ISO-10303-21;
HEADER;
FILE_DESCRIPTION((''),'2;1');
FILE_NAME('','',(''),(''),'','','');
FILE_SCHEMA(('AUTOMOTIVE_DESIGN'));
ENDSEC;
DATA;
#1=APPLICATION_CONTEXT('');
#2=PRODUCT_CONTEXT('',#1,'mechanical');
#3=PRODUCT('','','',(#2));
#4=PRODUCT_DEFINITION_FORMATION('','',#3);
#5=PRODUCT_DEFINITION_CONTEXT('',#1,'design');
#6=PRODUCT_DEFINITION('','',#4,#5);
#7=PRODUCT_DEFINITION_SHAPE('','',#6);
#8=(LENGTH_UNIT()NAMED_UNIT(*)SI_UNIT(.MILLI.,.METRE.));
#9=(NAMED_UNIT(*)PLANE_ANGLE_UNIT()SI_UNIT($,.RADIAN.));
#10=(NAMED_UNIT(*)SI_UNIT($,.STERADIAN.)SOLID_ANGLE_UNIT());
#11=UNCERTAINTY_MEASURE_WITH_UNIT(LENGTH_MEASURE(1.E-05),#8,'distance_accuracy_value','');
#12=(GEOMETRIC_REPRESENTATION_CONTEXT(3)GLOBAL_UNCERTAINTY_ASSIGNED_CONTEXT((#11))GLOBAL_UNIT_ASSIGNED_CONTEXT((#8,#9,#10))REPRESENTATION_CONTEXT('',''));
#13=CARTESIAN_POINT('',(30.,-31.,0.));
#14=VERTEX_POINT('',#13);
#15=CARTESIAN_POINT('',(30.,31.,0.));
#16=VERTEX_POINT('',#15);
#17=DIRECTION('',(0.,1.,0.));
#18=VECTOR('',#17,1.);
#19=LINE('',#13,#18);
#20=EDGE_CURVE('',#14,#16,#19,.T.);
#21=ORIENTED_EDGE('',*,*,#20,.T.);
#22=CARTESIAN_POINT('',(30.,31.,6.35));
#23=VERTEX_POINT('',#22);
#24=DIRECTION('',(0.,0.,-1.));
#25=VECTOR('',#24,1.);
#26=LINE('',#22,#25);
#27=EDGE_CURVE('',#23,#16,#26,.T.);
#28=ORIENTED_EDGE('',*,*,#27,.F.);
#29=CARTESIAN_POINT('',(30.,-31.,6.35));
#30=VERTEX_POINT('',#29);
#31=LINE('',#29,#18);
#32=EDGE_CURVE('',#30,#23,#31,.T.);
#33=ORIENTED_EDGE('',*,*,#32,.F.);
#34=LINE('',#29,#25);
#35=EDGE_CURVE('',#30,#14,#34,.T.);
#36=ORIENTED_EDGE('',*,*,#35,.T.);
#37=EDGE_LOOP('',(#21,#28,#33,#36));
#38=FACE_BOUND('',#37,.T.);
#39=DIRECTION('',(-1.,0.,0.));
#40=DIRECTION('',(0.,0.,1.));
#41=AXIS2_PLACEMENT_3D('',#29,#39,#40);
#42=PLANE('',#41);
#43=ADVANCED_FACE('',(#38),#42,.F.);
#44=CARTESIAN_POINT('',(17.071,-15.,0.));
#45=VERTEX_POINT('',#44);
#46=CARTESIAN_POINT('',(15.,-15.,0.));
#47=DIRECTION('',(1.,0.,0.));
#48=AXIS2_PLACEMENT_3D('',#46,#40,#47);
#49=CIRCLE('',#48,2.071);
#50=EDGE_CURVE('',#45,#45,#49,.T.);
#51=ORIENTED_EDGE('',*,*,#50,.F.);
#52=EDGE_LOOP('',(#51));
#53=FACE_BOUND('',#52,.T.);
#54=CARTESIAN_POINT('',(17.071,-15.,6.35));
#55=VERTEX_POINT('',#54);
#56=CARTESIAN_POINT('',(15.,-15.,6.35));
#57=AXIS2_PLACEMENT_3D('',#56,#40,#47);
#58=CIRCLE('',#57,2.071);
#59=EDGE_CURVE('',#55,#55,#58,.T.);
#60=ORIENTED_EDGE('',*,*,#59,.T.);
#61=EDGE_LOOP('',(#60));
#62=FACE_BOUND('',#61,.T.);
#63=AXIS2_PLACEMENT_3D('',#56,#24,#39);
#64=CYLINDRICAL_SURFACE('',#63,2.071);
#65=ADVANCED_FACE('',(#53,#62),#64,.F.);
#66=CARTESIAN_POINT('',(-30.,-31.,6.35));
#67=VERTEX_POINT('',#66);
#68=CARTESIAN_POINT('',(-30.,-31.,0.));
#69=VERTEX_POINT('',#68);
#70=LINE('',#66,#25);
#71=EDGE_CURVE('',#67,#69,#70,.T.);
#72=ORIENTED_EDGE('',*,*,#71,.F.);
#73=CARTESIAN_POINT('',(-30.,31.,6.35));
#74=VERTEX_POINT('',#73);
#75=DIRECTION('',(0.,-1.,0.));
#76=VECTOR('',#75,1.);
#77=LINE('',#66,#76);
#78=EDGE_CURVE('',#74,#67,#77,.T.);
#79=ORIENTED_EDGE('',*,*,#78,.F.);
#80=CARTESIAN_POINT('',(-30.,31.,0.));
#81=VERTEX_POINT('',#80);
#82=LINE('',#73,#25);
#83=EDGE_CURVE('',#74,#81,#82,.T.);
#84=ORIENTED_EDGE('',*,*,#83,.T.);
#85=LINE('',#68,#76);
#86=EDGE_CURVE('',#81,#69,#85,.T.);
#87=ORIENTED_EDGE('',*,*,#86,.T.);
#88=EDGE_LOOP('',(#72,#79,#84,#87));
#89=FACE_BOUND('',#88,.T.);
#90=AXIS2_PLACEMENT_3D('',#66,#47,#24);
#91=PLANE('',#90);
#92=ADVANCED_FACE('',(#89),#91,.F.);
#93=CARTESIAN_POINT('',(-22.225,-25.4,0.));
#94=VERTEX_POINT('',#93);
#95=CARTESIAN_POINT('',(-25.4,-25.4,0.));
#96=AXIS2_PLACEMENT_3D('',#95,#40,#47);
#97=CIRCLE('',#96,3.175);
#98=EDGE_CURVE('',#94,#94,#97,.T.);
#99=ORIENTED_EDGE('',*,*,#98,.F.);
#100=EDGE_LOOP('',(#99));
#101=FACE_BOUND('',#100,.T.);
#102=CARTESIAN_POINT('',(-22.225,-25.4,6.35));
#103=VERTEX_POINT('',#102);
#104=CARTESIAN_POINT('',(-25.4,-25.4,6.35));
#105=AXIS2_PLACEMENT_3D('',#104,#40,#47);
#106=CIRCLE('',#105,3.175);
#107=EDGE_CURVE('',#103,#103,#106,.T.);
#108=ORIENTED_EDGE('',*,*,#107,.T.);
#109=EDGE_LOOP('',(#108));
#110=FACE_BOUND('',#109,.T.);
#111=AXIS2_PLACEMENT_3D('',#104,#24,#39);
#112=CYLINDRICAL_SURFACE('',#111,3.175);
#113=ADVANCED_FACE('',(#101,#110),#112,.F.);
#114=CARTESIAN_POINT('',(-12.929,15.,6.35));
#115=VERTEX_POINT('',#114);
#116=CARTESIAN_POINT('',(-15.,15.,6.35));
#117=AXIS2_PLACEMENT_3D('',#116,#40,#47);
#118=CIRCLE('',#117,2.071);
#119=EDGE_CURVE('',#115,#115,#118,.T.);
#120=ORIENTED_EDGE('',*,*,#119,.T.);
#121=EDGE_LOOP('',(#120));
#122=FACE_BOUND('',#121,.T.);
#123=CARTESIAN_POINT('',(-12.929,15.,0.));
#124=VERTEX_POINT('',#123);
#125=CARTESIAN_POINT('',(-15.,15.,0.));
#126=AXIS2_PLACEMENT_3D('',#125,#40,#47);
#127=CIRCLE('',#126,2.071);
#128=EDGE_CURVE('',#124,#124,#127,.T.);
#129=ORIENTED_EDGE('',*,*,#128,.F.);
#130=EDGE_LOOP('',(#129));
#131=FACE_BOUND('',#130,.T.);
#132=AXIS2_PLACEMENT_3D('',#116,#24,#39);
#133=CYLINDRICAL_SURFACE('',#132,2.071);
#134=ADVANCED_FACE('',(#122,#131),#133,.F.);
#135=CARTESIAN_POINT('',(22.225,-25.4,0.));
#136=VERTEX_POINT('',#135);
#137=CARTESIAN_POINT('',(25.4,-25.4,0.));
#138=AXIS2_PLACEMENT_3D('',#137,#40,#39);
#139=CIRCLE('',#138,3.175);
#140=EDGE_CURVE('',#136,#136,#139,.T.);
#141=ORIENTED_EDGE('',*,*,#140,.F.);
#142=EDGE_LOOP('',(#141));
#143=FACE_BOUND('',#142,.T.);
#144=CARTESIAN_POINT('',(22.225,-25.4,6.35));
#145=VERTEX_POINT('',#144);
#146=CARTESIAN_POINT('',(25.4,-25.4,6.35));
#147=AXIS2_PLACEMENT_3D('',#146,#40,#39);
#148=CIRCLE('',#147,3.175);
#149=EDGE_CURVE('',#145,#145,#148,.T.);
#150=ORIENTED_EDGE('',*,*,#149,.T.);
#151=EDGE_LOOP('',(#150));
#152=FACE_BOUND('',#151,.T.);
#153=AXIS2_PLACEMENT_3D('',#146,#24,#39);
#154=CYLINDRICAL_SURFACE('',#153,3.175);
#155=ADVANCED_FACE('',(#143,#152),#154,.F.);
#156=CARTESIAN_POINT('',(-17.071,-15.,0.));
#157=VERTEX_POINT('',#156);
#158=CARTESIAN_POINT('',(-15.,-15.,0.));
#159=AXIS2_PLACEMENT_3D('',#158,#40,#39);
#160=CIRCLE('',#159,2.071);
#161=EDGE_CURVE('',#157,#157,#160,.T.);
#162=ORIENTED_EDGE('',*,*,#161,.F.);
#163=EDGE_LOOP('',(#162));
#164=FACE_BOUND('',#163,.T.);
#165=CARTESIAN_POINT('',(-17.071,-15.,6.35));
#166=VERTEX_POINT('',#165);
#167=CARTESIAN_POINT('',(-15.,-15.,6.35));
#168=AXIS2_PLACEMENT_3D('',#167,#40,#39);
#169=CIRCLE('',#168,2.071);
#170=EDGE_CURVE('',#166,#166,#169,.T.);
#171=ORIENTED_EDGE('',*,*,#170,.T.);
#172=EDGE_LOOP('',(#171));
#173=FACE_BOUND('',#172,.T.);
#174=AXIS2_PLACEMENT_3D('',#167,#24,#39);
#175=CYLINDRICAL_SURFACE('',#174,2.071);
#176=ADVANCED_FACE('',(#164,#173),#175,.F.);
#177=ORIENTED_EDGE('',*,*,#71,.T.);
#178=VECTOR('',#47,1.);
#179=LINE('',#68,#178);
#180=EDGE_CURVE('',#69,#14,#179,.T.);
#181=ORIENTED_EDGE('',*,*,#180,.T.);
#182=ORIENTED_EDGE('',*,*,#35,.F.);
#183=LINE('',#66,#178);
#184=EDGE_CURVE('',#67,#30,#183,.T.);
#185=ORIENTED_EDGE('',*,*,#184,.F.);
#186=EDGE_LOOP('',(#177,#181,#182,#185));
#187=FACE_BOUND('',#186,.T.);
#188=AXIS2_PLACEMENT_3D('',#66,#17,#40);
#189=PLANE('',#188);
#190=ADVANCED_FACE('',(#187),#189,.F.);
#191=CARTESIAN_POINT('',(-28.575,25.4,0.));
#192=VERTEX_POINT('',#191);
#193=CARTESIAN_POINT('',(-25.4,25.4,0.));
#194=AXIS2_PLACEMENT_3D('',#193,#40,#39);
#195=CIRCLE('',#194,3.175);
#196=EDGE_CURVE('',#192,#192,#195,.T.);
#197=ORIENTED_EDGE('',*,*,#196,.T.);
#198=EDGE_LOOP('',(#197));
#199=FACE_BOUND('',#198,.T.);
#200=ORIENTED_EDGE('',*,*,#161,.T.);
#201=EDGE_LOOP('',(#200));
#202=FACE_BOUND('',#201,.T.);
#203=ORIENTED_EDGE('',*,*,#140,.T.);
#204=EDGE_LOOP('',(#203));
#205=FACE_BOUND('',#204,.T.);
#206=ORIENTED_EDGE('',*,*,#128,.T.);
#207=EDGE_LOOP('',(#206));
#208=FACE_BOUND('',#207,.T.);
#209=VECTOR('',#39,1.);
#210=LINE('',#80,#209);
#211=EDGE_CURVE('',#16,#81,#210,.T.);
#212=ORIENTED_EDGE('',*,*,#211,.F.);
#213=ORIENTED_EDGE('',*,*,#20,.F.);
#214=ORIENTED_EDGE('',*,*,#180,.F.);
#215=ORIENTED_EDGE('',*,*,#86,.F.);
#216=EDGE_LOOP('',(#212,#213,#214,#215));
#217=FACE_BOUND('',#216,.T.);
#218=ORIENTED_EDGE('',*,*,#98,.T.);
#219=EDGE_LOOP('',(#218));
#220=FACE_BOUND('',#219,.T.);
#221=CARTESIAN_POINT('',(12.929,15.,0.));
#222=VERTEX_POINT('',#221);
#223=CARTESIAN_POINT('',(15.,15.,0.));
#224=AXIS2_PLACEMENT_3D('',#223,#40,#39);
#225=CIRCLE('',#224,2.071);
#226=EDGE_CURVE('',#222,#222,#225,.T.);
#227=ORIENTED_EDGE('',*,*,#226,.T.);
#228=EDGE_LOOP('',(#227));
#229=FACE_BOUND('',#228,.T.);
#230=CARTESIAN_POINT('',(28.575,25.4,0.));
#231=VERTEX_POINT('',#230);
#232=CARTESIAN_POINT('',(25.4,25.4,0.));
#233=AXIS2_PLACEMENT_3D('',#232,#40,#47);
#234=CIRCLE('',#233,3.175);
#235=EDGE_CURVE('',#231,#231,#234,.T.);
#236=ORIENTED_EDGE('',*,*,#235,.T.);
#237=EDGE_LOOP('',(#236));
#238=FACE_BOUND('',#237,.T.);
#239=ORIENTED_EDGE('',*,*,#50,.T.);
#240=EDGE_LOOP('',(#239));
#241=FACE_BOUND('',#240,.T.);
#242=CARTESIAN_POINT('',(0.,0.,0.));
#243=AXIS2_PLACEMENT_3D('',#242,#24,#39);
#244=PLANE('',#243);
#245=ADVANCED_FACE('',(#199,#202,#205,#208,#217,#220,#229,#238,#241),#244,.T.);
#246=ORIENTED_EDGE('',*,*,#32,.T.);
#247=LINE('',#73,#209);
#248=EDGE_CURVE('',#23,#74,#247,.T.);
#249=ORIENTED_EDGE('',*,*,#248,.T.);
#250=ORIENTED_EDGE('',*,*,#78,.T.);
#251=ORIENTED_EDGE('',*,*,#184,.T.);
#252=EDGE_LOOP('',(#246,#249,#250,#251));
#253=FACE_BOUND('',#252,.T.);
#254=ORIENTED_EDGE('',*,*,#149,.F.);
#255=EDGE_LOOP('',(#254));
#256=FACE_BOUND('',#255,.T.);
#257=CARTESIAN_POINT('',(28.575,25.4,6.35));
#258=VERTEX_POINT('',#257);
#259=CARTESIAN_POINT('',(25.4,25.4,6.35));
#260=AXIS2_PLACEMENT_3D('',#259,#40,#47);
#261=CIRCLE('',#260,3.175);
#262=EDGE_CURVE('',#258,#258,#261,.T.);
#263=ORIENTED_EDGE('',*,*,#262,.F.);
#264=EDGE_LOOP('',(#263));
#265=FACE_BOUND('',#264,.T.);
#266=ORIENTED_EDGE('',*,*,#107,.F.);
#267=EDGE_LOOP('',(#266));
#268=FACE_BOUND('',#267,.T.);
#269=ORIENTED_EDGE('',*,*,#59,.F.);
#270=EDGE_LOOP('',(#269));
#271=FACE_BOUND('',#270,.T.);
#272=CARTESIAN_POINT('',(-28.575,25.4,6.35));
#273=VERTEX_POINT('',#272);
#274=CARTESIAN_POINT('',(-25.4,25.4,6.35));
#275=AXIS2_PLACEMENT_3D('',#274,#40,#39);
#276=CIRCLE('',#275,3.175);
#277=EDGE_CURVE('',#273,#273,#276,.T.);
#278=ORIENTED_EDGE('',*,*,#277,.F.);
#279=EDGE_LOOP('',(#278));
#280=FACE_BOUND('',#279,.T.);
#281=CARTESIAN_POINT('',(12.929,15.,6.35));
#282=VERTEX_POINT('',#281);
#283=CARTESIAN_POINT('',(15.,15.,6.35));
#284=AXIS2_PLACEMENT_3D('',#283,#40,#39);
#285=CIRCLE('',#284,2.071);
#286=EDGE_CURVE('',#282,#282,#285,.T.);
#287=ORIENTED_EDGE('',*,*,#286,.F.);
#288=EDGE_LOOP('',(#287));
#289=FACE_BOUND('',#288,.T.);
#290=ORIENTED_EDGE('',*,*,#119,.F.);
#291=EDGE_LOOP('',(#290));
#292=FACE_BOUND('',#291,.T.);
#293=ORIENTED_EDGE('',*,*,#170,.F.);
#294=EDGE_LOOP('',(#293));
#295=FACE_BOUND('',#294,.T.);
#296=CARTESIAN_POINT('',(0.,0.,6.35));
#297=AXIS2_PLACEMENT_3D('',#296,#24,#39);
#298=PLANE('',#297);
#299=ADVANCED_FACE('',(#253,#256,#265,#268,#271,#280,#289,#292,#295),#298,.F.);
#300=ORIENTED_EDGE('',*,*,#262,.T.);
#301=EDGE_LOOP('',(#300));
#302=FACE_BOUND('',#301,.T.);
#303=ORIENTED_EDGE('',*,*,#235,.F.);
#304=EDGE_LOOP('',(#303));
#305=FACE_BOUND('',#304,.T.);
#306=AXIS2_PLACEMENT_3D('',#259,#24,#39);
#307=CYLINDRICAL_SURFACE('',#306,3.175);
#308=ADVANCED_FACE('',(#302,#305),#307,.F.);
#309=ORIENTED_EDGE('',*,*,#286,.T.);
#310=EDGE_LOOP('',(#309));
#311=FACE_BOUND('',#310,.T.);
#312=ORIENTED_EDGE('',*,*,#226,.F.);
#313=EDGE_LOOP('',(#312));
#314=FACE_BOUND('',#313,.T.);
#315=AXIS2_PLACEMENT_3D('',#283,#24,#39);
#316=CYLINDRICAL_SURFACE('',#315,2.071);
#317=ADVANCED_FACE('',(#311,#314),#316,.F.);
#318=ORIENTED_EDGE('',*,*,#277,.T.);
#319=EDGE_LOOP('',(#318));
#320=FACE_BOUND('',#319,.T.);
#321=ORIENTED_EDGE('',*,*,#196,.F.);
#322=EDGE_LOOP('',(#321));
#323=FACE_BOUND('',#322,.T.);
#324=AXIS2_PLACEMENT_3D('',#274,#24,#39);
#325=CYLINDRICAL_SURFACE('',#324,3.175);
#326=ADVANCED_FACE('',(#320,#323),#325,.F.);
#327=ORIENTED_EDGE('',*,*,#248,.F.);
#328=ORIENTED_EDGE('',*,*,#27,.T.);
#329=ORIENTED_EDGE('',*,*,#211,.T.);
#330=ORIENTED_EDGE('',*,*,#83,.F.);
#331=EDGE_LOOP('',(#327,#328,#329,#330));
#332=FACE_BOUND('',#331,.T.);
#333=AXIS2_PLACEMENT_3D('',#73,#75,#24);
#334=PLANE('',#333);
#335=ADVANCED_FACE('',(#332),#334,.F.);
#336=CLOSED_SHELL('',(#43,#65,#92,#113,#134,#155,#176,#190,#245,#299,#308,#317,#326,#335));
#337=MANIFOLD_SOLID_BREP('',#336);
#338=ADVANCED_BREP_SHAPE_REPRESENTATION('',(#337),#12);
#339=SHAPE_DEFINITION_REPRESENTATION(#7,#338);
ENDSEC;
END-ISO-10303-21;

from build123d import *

# Parameters (mm, degrees)
SKETCH1_W           = 60
SKETCH1_H           = 62
SKETCH1_R           = 3.175
SKETCH1_R_2         = 2.071
BOSS_EXTRUDE1_DEPTH = 6.35


with BuildPart() as part:
    # Sketch1 → Boss-Extrude1 (new body)
    with BuildSketch(Plane.XY):
        Rectangle(SKETCH1_W, SKETCH1_H)
        with Locations((25.4, 25.4)):
            Circle(SKETCH1_R, mode=Mode.SUBTRACT)
        with Locations((-25.4, 25.4)):
            Circle(SKETCH1_R, mode=Mode.SUBTRACT)
        with Locations((25.4, -25.4)):
            Circle(SKETCH1_R, mode=Mode.SUBTRACT)
        with Locations((-25.4, -25.4)):
            Circle(SKETCH1_R, mode=Mode.SUBTRACT)
        with Locations((-15, 15)):
            Circle(SKETCH1_R_2, mode=Mode.SUBTRACT)
        with Locations((-15, -15)):
            Circle(SKETCH1_R_2, mode=Mode.SUBTRACT)
        with Locations((15, -15)):
            Circle(SKETCH1_R_2, mode=Mode.SUBTRACT)
        with Locations((15, 15)):
            Circle(SKETCH1_R_2, mode=Mode.SUBTRACT)
    extrude(amount=BOSS_EXTRUDE1_DEPTH)


solid = part.part
